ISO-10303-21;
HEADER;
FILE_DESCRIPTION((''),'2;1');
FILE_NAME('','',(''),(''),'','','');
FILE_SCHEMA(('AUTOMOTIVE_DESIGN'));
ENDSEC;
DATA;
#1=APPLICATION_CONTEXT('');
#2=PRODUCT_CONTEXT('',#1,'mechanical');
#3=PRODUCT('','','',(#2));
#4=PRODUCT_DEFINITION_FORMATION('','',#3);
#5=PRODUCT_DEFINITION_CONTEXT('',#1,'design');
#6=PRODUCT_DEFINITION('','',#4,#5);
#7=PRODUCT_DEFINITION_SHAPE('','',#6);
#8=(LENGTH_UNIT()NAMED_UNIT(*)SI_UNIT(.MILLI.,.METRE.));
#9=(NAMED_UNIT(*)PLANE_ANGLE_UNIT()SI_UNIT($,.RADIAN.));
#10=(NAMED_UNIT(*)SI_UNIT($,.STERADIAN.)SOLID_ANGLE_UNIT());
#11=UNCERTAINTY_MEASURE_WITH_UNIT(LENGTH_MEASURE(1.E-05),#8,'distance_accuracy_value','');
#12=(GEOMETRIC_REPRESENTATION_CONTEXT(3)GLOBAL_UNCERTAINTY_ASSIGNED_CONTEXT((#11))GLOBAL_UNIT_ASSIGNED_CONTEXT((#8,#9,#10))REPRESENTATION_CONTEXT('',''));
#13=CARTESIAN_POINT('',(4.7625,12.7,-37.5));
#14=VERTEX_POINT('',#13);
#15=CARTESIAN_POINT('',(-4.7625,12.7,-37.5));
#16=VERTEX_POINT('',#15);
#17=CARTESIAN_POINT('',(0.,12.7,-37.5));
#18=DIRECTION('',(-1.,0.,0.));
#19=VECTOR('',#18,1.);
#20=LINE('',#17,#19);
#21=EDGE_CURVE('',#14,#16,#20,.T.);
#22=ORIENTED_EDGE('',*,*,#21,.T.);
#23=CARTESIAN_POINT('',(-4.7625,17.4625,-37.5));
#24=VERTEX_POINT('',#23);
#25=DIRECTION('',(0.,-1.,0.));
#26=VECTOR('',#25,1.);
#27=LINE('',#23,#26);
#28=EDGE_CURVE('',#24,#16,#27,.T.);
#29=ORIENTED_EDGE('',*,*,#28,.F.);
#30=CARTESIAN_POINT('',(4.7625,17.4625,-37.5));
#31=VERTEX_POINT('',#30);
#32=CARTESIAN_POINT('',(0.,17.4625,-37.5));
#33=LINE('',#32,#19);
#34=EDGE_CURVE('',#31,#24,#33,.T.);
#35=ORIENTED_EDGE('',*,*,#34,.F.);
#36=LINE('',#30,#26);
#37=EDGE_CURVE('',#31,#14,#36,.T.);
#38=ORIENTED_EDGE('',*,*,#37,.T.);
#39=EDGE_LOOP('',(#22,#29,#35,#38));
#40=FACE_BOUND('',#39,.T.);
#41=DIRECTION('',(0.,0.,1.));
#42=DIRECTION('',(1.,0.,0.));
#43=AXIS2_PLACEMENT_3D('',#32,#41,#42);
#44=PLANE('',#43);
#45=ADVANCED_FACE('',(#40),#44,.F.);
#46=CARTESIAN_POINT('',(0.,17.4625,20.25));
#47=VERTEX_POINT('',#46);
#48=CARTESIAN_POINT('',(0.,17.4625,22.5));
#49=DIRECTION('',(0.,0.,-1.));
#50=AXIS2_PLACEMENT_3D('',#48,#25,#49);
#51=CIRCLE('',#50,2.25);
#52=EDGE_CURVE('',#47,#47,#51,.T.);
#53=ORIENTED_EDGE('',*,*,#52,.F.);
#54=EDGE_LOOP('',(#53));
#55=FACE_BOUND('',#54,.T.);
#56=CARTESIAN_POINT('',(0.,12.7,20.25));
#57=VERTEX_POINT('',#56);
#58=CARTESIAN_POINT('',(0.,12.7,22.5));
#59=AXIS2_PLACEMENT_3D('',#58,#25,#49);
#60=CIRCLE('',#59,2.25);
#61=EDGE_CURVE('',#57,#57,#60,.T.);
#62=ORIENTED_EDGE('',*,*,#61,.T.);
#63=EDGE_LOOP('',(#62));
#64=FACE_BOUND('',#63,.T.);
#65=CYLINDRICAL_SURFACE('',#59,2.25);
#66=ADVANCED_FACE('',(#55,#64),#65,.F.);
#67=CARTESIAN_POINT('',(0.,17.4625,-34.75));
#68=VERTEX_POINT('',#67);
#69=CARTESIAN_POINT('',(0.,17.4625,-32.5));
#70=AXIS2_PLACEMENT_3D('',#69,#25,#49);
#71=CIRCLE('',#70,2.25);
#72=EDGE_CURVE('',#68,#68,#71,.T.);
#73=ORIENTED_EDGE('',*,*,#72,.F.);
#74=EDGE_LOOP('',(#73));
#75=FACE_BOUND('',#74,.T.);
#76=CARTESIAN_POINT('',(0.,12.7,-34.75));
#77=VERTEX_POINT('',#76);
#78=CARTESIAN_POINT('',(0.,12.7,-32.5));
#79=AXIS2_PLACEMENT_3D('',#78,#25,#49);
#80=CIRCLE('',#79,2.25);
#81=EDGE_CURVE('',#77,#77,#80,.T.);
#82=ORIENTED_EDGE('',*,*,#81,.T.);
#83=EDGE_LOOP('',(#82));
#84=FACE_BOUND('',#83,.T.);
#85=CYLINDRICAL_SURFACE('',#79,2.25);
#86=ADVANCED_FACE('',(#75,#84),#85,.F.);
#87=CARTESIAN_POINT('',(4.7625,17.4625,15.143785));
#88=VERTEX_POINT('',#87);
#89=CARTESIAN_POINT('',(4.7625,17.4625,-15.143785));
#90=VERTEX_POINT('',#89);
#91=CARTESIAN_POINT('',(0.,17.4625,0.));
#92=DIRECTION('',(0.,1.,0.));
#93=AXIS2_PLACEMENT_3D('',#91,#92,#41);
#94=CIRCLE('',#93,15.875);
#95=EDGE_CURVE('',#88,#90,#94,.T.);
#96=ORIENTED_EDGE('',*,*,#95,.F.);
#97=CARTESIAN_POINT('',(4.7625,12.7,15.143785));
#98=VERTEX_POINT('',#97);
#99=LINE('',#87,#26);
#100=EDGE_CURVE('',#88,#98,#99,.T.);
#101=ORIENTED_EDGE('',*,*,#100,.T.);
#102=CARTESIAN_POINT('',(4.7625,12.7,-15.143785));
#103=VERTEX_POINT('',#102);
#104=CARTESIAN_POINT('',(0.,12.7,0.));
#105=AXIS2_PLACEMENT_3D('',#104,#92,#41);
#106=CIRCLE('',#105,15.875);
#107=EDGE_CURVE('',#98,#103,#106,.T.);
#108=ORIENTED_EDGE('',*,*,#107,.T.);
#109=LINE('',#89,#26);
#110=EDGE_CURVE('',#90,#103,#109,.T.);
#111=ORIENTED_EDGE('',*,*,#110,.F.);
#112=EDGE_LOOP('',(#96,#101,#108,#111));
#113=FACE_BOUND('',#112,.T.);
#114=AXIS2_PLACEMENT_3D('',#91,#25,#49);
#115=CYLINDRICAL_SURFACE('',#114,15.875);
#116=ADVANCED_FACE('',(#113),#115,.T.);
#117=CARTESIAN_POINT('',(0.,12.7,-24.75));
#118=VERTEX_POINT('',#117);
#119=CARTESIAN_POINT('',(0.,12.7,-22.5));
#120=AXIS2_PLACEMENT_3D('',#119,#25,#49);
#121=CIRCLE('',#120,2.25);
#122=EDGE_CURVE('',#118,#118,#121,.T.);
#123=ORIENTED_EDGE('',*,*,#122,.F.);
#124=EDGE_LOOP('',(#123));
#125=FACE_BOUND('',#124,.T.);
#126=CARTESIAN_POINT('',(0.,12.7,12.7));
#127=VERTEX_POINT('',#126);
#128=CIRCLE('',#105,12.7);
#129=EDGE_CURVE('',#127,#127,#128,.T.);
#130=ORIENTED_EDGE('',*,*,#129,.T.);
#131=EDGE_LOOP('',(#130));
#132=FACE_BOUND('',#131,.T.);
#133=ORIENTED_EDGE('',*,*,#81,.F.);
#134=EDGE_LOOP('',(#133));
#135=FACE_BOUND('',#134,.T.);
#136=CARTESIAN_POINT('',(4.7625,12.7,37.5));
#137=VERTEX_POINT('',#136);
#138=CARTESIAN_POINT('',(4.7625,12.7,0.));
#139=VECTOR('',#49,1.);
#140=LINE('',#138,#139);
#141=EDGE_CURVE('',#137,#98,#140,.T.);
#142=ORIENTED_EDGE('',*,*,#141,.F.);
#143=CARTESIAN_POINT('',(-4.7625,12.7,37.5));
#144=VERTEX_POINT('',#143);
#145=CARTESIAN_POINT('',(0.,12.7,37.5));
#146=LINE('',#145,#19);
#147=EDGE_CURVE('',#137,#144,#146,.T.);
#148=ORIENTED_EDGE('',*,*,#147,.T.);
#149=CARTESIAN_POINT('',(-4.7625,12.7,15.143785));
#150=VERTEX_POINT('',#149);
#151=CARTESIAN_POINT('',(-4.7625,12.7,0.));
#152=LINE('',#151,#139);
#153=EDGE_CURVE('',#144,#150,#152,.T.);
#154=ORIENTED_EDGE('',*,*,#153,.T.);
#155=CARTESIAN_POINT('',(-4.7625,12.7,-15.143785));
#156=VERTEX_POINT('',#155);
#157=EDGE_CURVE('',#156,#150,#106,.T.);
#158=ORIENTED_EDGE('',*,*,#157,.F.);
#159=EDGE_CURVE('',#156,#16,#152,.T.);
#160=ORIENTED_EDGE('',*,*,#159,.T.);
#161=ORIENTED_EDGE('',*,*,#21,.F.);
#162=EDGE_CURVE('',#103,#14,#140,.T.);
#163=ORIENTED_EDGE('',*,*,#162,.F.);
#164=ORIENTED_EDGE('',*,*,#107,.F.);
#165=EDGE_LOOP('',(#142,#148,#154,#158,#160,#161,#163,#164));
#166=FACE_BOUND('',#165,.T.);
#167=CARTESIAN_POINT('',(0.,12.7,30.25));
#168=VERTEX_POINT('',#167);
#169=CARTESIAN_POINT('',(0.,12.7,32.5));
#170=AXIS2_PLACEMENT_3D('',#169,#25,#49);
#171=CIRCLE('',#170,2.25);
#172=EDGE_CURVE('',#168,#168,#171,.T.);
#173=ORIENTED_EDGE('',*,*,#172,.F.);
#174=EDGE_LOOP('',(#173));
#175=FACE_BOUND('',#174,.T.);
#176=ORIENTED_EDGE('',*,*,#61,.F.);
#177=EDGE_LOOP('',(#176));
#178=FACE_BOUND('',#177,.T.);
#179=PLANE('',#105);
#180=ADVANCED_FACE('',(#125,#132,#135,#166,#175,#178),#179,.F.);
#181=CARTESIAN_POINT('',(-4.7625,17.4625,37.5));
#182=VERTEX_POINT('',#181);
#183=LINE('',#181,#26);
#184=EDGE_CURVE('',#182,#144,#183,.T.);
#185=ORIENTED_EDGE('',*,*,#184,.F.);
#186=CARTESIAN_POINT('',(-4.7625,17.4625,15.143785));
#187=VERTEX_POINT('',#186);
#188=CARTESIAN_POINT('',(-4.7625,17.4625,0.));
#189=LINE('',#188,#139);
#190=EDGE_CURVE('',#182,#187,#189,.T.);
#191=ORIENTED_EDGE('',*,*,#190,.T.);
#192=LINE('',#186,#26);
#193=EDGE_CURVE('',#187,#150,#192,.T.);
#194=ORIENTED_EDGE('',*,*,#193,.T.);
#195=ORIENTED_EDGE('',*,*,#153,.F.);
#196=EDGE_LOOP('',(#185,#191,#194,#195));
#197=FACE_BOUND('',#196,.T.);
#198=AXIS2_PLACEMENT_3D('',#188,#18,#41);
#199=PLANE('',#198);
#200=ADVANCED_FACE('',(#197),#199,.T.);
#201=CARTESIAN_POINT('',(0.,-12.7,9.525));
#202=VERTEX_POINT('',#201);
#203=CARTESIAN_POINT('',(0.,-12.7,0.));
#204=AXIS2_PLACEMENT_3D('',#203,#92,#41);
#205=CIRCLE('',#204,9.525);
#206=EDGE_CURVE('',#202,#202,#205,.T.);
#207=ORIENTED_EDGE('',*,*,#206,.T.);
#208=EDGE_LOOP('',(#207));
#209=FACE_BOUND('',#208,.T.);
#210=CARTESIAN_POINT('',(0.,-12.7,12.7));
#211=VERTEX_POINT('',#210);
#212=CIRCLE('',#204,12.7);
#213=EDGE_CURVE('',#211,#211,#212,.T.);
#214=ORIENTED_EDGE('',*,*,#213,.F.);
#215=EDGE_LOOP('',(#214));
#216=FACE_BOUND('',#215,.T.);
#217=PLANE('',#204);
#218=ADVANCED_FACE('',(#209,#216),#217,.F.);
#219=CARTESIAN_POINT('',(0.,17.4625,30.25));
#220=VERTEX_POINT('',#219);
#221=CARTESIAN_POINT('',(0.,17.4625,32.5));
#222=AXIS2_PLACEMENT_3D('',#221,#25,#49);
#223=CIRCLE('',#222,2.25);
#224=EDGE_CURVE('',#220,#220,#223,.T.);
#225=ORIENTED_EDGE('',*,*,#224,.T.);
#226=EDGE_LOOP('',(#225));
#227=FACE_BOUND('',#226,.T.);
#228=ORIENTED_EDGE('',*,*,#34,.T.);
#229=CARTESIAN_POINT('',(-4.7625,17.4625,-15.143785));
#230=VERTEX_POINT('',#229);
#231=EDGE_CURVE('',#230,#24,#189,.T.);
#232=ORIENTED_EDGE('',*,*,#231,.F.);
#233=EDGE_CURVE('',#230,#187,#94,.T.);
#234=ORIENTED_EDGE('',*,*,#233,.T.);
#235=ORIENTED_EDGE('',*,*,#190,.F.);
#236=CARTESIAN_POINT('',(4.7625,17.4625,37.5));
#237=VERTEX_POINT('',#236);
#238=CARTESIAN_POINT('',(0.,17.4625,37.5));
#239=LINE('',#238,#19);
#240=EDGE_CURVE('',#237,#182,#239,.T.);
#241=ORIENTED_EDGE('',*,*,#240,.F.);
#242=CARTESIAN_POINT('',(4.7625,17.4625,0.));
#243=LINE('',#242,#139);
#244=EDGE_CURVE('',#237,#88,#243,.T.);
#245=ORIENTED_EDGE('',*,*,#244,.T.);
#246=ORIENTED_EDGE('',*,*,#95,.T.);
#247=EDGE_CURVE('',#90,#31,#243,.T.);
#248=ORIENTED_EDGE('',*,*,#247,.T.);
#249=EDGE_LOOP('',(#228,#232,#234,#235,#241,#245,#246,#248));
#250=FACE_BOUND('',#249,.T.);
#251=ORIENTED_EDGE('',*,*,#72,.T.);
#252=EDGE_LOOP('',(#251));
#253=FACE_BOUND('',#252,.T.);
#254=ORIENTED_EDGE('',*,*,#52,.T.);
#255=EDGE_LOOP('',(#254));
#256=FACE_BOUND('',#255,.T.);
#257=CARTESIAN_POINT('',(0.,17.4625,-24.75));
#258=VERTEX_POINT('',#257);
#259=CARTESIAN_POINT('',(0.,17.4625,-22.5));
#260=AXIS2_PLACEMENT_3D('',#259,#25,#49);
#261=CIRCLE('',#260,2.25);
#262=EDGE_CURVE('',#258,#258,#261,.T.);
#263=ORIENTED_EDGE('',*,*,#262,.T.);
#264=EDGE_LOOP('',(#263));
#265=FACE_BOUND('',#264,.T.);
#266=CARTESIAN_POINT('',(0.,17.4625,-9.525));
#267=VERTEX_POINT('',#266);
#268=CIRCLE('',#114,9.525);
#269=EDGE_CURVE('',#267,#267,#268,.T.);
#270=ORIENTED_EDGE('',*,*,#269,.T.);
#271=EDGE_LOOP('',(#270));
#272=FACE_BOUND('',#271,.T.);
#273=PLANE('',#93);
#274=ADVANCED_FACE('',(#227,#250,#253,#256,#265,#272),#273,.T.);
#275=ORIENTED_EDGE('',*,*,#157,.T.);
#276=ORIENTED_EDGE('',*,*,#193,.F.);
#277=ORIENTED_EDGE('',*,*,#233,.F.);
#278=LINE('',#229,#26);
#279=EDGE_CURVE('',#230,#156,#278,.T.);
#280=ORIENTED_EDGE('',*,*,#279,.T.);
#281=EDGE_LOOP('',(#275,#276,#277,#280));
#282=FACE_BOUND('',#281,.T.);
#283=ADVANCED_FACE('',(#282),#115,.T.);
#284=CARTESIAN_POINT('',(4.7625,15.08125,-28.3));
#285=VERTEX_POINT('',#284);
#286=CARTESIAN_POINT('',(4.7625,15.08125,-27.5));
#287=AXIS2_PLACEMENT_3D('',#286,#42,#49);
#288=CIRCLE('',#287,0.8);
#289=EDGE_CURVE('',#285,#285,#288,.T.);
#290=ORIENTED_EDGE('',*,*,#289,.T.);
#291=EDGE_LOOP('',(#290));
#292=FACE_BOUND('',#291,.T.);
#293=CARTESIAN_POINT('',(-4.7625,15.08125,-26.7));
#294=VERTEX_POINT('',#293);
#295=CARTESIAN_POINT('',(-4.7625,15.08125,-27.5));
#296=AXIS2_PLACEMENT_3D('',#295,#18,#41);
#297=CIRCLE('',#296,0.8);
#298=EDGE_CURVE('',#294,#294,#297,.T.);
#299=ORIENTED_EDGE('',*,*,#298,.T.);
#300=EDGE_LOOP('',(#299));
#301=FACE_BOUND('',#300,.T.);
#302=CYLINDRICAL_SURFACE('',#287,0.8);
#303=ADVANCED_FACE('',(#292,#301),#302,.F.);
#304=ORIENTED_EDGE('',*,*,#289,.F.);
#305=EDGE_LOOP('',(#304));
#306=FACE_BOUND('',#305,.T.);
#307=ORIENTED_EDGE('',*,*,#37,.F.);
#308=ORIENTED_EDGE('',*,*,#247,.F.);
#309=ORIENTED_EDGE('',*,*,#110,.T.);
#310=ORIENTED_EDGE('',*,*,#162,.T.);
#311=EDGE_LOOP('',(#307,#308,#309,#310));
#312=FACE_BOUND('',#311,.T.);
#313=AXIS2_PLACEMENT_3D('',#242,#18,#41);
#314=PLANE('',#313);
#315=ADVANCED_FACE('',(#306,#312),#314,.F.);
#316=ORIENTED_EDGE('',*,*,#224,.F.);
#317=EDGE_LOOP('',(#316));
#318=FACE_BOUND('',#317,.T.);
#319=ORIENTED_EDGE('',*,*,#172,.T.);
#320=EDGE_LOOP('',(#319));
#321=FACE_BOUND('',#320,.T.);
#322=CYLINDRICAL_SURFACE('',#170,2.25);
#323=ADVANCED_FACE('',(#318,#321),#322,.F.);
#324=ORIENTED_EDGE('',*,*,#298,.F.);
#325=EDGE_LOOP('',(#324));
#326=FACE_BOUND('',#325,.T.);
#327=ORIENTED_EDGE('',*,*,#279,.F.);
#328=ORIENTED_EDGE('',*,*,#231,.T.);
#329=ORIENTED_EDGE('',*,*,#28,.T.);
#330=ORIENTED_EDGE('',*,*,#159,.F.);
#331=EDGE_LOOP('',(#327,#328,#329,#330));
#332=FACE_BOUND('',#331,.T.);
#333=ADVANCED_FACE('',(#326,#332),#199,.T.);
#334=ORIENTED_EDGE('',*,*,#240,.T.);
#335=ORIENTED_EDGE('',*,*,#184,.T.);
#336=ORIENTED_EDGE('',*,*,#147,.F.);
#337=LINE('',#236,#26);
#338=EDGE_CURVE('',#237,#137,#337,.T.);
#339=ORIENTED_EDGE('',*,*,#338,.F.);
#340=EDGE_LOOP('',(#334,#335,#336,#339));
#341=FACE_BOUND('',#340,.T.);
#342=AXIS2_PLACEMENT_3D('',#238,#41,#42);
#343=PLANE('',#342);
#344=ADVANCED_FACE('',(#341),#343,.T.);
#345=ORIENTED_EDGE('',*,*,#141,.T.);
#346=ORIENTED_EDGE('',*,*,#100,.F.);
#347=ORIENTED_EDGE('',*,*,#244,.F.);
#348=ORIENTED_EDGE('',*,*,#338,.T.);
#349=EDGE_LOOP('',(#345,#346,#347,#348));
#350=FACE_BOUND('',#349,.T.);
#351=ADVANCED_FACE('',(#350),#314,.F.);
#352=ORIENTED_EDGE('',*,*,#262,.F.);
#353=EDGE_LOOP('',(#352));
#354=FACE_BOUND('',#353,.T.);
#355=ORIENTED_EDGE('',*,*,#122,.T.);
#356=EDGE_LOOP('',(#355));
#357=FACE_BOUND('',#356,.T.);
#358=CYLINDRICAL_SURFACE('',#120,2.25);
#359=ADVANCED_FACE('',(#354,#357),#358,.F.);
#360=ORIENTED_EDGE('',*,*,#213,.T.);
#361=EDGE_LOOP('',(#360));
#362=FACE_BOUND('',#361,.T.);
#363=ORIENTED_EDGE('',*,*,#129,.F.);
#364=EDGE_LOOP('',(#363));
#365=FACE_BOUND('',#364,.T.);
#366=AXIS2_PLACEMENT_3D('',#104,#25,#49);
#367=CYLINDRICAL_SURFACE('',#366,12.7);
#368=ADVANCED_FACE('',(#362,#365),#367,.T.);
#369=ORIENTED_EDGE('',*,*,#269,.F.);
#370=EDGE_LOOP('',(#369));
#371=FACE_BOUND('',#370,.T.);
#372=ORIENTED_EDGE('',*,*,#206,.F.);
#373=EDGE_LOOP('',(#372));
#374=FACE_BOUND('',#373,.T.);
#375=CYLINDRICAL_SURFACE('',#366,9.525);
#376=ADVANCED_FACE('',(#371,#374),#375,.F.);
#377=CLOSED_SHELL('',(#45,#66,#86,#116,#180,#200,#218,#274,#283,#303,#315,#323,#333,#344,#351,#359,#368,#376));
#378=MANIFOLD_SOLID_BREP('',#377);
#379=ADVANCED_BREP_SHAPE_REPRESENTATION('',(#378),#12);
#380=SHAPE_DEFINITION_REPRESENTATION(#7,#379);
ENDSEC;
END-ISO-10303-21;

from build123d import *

# Parameters (mm, degrees)
SKETCH2_R             = 12.7
SKETCH2_R_2           = 9.525
BOSS_EXTRUDE1_DEPTH   = 12.7
SKETCH3_R             = 12.7
BOSS_EXTRUDE2_DEPTH   = 4.7625
SKETCH4_R             = 9.525
CUT_EXTRUDE1_DEPTH    = 5.7625
M4_CLEARANCE_HOLE1_D  = 4.5
M2X0_4_TAPPED_HOLE1_D = 1.6


with BuildPart() as part:
    # Sketch2 → Boss-Extrude1 (new body, symmetric)
    with BuildSketch(Plane(origin=(0, 0, 0), x_dir=(1, 0, 0), z_dir=(0, 1, 0))):
        Circle(SKETCH2_R)
        Circle(SKETCH2_R_2, mode=Mode.SUBTRACT)
    extrude(amount=BOSS_EXTRUDE1_DEPTH, both=True)

    # Sketch3 → Boss-Extrude2 (add)
    with BuildSketch(Plane(origin=(0, 12.7, 0), x_dir=(1, 0, 0), z_dir=(0, 1, 0))):
        with BuildLine():
            ThreePointArc((-4.7625, -15.143784822), (0, -15.875), (4.7625, -15.143784822))
            Line((4.7625, -15.143784822), (4.7625, -11.773215098))
            ThreePointArc((4.7625, -11.773215098), (0, -12.7), (-4.7625, -11.773215098))
            Line((-4.7625, -11.773215098), (-4.7625, -15.143784822))
        make_face()
        with BuildLine():
            ThreePointArc((4.7625, 15.143784822), (0, 15.875), (-4.7625, 15.143784822))
            Line((-4.7625, 15.143784822), (-4.7625, 11.773215098))
            ThreePointArc((-4.7625, 11.773215098), (0, 12.7), (4.7625, 11.773215098))
            Line((4.7625, 11.773215098), (4.7625, 15.143784822))
        make_face()
        with BuildLine():
            Line((-4.7625, -37.5), (4.7625, -37.5))
            Line((4.7625, -37.5), (4.7625, -15.143784822))
            ThreePointArc((4.7625, -15.143784822), (0, -15.875), (-4.7625, -15.143784822))
            Line((-4.7625, -15.143784822), (-4.7625, -37.5))
        make_face()
        with BuildLine():
            Line((-4.7625, 37.5), (-4.7625, 15.143784822))
            ThreePointArc((-4.7625, 15.143784822), (0, 15.875), (4.7625, 15.143784822))
            Line((4.7625, 15.143784822), (4.7625, 37.5))
            Line((4.7625, 37.5), (-4.7625, 37.5))
        make_face()
        with BuildLine():
            Line((4.7625, -11.773215098), (4.7625, -15.143784822))
            ThreePointArc((4.7625, -15.143784822), (12.798834175, -9.391776656), (15.875, 0))
            ThreePointArc((15.875, 0), (12.798834175, 9.391776656), (4.7625, 15.143784822))
            Line((4.7625, 15.143784822), (4.7625, 11.773215098))
            ThreePointArc((4.7625, 11.773215098), (10.530283709, 7.099515829), (12.7, 0))
            ThreePointArc((12.7, 0), (10.530283709, -7.099515829), (4.7625, -11.773215098))
        make_face()
        with BuildLine():
            ThreePointArc((-4.7625, 15.143784822), (-15.875, 0), (-4.7625, -15.143784822))
            Line((-4.7625, -15.143784822), (-4.7625, -11.773215098))
            ThreePointArc((-4.7625, -11.773215098), (-12.7, 0), (-4.7625, 11.773215098))
            Line((-4.7625, 11.773215098), (-4.7625, 15.143784822))
        make_face()
        Circle(SKETCH3_R)
    extrude(amount=BOSS_EXTRUDE2_DEPTH)

    # Sketch4 → Cut-Extrude1 (cut, through all)
    with BuildSketch(Plane.XZ.offset(-12.7)):
        Circle(SKETCH4_R)
    extrude(amount=-CUT_EXTRUDE1_DEPTH, mode=Mode.SUBTRACT)

    # M4 Clearance Hole1 (through all)
    with Locations(Plane(origin=(0, 12.7, 0), x_dir=(-1, 0, 0), z_dir=(0, -1, 0))):
        with Locations((0, 32.5), (0, 22.5), (0, -22.5), (0, -32.5)):
            Hole(M4_CLEARANCE_HOLE1_D / 2)

    # M2x0.4 Tapped Hole1 (through all)
    with Locations(Plane(origin=(4.7625, 0, 0), x_dir=(0, 0, -1), z_dir=(1, 0, 0))):
        with Locations((27.5, 15.08125)):
            Hole(M2X0_4_TAPPED_HOLE1_D / 2)


solid = part.part
